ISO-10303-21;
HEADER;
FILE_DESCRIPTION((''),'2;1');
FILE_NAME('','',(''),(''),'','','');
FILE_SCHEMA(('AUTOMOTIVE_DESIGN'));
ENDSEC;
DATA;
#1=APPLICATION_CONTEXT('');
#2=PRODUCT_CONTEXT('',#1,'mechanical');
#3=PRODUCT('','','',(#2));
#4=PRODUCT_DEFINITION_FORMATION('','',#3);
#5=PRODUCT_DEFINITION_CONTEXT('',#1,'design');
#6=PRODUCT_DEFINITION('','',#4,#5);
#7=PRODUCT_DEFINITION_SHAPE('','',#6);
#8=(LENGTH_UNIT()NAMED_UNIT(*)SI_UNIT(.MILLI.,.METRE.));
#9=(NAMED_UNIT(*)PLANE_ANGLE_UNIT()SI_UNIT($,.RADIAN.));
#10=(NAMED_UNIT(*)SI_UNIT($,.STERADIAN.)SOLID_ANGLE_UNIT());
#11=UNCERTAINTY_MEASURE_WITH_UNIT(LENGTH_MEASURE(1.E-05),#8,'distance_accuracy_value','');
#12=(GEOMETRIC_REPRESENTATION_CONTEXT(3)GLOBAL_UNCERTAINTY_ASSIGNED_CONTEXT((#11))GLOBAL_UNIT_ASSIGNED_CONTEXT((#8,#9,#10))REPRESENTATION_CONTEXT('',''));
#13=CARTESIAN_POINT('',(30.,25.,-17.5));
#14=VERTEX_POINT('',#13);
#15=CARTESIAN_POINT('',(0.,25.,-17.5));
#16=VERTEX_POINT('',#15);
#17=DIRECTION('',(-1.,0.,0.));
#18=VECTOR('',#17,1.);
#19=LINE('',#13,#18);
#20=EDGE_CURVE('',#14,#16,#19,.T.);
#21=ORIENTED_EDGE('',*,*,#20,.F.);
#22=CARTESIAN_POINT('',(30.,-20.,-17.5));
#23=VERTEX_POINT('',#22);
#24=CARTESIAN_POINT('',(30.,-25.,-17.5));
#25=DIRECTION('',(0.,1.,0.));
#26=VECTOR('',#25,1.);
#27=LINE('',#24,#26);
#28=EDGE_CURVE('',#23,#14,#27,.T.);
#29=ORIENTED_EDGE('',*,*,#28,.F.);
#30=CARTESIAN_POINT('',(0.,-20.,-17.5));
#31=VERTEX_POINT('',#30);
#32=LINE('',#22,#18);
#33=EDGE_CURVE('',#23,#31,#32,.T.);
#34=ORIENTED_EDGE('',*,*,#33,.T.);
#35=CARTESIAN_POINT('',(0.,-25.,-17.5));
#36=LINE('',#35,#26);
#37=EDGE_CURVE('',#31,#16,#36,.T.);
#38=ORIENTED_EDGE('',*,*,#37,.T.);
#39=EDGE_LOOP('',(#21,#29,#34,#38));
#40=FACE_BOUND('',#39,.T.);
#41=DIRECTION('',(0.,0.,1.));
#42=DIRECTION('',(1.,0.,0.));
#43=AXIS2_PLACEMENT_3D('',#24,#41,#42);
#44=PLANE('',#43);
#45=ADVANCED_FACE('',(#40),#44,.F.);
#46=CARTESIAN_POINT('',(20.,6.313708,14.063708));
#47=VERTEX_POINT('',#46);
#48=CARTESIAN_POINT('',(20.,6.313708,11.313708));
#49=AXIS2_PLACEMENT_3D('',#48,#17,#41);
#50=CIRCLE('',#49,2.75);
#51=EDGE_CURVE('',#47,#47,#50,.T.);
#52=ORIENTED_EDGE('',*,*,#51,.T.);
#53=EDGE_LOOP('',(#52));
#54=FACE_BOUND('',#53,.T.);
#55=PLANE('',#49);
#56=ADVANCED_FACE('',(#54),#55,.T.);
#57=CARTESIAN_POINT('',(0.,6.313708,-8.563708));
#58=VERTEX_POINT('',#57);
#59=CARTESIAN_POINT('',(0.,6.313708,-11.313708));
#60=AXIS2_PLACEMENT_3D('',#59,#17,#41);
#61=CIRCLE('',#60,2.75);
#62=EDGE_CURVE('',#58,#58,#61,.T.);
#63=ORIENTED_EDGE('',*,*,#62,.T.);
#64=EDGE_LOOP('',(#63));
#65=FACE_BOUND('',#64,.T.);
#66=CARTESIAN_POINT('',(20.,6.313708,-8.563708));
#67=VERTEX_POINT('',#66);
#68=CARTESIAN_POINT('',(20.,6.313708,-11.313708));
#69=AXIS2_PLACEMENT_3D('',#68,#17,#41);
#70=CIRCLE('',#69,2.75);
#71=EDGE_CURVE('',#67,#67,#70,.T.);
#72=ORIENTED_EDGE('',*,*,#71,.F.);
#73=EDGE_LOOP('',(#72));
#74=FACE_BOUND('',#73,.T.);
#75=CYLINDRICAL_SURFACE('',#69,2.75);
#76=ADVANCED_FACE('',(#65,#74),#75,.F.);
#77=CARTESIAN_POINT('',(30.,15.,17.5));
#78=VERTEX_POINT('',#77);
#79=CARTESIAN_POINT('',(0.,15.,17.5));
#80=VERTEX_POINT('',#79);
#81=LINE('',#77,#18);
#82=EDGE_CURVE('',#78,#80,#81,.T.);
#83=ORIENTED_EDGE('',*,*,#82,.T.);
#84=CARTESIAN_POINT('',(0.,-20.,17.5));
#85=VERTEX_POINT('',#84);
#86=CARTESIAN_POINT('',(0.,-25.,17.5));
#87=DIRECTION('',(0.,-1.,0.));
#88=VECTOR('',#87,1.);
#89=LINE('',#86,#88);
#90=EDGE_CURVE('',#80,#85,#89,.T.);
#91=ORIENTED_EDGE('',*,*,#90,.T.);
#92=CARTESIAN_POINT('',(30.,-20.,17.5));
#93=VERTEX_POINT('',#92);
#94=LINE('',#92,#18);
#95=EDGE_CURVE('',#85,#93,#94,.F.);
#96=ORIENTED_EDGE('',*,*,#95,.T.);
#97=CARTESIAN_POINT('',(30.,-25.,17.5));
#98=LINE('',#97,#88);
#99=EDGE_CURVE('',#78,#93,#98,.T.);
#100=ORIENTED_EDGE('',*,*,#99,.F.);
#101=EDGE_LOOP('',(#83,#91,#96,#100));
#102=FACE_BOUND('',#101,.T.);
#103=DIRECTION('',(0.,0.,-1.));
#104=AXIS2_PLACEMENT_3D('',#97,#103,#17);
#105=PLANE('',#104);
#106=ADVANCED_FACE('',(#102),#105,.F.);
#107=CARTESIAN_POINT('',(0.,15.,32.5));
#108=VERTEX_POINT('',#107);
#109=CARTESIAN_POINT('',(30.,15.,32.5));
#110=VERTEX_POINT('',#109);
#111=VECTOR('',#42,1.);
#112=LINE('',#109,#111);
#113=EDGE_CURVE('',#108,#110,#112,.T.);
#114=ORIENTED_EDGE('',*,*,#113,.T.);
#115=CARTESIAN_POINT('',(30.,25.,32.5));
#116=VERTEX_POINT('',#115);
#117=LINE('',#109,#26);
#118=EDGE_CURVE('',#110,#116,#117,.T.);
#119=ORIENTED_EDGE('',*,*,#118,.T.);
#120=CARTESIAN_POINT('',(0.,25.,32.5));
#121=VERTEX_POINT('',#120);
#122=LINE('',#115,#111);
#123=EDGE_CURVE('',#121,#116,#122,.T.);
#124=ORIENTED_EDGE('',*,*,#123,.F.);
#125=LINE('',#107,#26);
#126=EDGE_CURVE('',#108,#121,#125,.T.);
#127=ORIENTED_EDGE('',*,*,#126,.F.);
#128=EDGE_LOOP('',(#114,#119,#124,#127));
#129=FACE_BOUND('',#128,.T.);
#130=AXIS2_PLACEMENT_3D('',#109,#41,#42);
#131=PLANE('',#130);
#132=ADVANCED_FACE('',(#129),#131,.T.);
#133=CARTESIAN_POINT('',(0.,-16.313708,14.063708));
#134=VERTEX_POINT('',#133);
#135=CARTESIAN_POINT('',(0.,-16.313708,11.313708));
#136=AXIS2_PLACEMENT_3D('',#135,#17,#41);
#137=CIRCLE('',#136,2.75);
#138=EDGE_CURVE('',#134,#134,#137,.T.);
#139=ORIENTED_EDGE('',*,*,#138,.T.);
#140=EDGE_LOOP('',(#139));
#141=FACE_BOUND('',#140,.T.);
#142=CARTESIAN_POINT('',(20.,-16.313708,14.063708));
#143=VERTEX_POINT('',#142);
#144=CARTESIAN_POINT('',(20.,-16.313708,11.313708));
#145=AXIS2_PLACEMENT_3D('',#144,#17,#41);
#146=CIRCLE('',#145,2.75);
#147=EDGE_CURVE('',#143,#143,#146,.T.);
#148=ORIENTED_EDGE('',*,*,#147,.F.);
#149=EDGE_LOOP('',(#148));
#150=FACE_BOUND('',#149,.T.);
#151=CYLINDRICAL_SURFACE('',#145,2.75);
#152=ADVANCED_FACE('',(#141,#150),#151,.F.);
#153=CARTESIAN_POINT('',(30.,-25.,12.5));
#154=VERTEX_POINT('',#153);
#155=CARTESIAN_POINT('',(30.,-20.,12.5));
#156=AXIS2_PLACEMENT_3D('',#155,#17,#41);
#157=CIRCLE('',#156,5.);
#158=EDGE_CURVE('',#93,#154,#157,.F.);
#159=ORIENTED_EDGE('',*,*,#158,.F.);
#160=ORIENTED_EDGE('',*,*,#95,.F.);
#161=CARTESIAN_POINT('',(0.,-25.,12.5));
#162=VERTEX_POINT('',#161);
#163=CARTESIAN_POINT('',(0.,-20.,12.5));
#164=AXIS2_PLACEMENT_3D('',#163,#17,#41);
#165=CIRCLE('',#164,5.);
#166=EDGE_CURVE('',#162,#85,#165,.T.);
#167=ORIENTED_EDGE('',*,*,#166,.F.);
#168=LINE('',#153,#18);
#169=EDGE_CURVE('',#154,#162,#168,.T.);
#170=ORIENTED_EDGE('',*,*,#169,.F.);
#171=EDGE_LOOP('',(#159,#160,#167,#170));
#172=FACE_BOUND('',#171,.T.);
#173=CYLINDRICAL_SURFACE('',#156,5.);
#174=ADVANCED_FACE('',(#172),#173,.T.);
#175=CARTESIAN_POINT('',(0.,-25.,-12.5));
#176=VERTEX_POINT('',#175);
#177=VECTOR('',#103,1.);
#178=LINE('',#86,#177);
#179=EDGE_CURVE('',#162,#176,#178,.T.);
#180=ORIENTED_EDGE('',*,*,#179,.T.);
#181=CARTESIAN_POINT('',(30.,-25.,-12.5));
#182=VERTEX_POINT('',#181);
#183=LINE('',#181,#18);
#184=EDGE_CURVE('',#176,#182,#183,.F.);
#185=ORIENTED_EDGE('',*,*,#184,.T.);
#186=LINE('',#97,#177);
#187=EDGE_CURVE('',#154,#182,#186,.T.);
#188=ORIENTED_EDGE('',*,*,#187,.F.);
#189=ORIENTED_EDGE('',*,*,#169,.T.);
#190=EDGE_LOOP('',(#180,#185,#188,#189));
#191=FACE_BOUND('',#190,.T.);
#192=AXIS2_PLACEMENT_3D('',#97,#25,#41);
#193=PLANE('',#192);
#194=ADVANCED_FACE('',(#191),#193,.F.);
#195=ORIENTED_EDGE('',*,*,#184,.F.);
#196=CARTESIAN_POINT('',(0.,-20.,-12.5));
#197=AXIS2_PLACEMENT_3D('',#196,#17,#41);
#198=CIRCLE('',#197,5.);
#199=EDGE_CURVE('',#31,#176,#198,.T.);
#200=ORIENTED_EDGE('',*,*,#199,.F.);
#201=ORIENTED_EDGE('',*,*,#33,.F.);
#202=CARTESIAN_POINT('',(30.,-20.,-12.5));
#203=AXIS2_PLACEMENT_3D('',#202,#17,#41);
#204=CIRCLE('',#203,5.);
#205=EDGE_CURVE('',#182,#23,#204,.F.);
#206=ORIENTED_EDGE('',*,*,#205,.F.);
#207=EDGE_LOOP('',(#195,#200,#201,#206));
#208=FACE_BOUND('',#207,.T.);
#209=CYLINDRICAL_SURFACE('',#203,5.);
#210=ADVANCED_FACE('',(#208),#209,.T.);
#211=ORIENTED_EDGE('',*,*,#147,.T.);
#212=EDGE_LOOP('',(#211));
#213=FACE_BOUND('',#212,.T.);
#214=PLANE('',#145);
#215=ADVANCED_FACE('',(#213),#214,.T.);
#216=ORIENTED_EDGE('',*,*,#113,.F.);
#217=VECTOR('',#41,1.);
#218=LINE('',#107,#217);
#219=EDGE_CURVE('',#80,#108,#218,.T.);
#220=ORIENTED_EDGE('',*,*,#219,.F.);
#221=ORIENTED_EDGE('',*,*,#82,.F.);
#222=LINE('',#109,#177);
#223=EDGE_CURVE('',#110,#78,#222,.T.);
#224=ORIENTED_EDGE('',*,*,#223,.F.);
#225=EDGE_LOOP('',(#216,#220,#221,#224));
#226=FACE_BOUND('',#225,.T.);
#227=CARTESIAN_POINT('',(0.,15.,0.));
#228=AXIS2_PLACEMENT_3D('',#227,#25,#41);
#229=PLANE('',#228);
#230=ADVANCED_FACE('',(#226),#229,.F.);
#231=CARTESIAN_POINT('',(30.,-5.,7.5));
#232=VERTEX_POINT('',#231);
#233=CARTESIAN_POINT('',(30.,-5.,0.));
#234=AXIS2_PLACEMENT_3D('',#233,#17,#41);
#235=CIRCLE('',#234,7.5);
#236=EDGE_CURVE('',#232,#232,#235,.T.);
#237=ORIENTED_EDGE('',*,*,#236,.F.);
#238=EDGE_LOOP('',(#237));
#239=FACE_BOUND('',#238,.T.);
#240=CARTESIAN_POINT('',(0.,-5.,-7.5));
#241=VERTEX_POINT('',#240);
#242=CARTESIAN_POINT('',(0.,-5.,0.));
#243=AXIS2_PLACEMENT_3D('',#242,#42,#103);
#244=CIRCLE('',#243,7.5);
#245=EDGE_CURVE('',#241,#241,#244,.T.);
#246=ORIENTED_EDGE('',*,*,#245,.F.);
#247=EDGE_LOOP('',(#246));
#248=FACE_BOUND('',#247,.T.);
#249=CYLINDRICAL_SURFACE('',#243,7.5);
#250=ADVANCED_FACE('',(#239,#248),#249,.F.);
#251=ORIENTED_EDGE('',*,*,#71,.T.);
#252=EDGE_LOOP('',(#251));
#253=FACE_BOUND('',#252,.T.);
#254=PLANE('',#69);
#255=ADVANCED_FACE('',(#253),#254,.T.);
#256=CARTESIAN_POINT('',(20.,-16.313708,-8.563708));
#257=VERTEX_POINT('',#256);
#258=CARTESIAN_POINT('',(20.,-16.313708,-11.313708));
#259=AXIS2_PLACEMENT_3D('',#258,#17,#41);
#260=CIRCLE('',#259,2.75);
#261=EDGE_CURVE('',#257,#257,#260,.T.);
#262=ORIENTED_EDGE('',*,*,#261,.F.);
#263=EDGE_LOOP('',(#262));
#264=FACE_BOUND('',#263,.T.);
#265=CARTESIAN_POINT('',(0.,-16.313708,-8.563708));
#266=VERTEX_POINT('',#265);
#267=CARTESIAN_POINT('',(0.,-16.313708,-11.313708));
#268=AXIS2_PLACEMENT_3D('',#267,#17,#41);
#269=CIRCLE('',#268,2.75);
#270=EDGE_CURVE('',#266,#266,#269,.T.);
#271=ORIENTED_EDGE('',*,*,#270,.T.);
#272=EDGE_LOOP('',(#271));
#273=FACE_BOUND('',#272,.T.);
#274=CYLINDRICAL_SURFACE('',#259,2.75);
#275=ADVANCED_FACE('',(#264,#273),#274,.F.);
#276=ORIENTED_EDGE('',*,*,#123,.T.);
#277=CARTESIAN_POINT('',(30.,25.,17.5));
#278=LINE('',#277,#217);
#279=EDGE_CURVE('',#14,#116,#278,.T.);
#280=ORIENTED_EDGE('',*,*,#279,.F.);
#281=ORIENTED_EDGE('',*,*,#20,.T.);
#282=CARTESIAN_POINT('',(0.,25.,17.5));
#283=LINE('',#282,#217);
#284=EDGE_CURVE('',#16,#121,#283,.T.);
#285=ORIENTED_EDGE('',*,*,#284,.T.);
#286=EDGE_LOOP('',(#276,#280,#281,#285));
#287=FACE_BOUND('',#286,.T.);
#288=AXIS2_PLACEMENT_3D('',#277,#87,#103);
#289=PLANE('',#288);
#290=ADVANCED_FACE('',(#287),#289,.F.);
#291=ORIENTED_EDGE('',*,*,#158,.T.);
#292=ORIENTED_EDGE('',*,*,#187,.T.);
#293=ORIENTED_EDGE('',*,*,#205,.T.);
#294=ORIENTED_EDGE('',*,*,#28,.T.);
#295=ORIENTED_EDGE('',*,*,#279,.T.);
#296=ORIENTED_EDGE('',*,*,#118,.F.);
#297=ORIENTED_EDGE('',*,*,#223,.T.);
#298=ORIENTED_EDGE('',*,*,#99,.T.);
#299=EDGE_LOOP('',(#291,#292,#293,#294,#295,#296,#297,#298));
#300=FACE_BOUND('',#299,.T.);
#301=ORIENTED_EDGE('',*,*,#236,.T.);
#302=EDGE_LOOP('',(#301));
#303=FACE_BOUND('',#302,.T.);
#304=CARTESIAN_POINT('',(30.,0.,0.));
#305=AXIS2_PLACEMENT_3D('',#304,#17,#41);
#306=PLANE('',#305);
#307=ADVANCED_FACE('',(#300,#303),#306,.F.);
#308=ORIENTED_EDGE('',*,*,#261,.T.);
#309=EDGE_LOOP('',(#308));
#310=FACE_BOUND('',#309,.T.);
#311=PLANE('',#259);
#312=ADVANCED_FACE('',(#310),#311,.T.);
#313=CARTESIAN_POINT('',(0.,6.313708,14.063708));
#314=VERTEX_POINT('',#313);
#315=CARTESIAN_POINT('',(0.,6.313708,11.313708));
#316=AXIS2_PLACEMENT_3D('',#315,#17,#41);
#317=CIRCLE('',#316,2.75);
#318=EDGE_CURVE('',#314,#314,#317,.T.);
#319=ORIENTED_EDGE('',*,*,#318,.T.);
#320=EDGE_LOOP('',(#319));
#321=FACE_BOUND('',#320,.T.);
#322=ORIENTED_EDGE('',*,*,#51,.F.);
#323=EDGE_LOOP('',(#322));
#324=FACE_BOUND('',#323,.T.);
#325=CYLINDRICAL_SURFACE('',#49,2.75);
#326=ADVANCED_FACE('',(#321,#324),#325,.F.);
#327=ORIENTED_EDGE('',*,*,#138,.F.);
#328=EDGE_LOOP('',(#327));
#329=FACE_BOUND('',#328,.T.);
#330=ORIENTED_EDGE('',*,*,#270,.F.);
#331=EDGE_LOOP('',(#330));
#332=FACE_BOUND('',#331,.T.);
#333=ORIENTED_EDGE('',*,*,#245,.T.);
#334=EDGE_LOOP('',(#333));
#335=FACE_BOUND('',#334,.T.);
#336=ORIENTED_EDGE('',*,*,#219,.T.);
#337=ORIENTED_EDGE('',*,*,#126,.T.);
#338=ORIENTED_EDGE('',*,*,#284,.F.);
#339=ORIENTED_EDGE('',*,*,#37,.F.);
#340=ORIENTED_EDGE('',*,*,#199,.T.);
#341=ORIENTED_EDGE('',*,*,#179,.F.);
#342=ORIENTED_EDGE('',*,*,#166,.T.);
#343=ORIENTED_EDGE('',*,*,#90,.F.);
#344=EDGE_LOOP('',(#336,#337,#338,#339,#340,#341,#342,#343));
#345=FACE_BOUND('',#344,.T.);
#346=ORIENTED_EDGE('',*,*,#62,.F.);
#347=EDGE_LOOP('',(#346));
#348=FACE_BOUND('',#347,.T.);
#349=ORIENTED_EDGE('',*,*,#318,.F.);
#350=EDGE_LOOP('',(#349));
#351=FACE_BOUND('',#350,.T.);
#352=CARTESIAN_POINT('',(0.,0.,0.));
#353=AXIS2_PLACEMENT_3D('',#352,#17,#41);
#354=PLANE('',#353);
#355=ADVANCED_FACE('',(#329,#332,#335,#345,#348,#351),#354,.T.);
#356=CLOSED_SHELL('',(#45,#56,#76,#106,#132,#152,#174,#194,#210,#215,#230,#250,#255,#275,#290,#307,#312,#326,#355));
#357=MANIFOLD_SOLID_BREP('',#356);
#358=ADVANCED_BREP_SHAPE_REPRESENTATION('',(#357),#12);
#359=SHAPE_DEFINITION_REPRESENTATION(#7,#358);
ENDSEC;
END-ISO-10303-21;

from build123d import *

# Parameters (mm, degrees)
SKETCH_2_W               = 35
SKETCH_2_H               = 50
EXTRUDE_1_DEPTH          = 30
CUT_EXTRUDE_1_DEPTH      = 43.793106922
CUT_EXTRUDE_1_DEPTH_BACK = 43.793106922
SKETCH_3_R               = 7.5
FILLET_1_R               = 5
FILLET_2_R               = 5
SKETCH_4_R               = 2.75
CUT_EXTRUDE_2_DEPTH      = 20
SKETCH_5_W               = 30
SKETCH_5_H               = 15
EXTRUDE_2_DEPTH          = 10


with BuildPart() as part:
    # 草图2 → 凸台-拉伸1 (new body)
    with BuildSketch(Plane(origin=(0, 0, 0), x_dir=(0, 0, -1), z_dir=(1, 0, 0))):
        Rectangle(SKETCH_2_W, SKETCH_2_H)
    extrude(amount=EXTRUDE_1_DEPTH)

    # 草图3 → 切除-拉伸1 (cut, two sides: drawn at the far end of the back side and taken through both)
    with BuildSketch(Plane(origin=(30, 0, 0), x_dir=(0, 0, -1), z_dir=(1, 0, 0)).offset(-CUT_EXTRUDE_1_DEPTH_BACK)):
        with Locations((0, -5)):
            Circle(SKETCH_3_R)
    extrude(amount=CUT_EXTRUDE_1_DEPTH + CUT_EXTRUDE_1_DEPTH_BACK, mode=Mode.SUBTRACT)

    # 圆角1
    fillet_1_edges = [part.edges().sort_by_distance(p)[0] for p in [
        (15, -25, -17.5),
    ]]
    fillet(fillet_1_edges, radius=FILLET_1_R)

    # 圆角2
    fillet_2_edges = [part.edges().sort_by_distance(p)[0] for p in [
        (15, -25, 17.5),
    ]]
    fillet(fillet_2_edges, radius=FILLET_2_R)

    # 草图4 → 切除-拉伸2 (cut)
    with BuildSketch(Plane.ZY):
        with Locations((11.313708499, 6.313708499)):
            Circle(SKETCH_4_R)
        with Locations((-11.313708499, 6.313708499)):
            Circle(SKETCH_4_R)
        with Locations((-11.313708499, -16.313708499)):
            Circle(SKETCH_4_R)
        with Locations((11.313708499, -16.313708499)):
            Circle(SKETCH_4_R)
    extrude(amount=-CUT_EXTRUDE_2_DEPTH, mode=Mode.SUBTRACT)

    # 草图5 → 凸台-拉伸2 (add)
    with BuildSketch(Plane(origin=(0, 25, 0), x_dir=(1, 0, 0), z_dir=(0, 1, 0))):
        with Locations((15, -25)):
            Rectangle(SKETCH_5_W, SKETCH_5_H)
    extrude(amount=-EXTRUDE_2_DEPTH)


solid = part.part
